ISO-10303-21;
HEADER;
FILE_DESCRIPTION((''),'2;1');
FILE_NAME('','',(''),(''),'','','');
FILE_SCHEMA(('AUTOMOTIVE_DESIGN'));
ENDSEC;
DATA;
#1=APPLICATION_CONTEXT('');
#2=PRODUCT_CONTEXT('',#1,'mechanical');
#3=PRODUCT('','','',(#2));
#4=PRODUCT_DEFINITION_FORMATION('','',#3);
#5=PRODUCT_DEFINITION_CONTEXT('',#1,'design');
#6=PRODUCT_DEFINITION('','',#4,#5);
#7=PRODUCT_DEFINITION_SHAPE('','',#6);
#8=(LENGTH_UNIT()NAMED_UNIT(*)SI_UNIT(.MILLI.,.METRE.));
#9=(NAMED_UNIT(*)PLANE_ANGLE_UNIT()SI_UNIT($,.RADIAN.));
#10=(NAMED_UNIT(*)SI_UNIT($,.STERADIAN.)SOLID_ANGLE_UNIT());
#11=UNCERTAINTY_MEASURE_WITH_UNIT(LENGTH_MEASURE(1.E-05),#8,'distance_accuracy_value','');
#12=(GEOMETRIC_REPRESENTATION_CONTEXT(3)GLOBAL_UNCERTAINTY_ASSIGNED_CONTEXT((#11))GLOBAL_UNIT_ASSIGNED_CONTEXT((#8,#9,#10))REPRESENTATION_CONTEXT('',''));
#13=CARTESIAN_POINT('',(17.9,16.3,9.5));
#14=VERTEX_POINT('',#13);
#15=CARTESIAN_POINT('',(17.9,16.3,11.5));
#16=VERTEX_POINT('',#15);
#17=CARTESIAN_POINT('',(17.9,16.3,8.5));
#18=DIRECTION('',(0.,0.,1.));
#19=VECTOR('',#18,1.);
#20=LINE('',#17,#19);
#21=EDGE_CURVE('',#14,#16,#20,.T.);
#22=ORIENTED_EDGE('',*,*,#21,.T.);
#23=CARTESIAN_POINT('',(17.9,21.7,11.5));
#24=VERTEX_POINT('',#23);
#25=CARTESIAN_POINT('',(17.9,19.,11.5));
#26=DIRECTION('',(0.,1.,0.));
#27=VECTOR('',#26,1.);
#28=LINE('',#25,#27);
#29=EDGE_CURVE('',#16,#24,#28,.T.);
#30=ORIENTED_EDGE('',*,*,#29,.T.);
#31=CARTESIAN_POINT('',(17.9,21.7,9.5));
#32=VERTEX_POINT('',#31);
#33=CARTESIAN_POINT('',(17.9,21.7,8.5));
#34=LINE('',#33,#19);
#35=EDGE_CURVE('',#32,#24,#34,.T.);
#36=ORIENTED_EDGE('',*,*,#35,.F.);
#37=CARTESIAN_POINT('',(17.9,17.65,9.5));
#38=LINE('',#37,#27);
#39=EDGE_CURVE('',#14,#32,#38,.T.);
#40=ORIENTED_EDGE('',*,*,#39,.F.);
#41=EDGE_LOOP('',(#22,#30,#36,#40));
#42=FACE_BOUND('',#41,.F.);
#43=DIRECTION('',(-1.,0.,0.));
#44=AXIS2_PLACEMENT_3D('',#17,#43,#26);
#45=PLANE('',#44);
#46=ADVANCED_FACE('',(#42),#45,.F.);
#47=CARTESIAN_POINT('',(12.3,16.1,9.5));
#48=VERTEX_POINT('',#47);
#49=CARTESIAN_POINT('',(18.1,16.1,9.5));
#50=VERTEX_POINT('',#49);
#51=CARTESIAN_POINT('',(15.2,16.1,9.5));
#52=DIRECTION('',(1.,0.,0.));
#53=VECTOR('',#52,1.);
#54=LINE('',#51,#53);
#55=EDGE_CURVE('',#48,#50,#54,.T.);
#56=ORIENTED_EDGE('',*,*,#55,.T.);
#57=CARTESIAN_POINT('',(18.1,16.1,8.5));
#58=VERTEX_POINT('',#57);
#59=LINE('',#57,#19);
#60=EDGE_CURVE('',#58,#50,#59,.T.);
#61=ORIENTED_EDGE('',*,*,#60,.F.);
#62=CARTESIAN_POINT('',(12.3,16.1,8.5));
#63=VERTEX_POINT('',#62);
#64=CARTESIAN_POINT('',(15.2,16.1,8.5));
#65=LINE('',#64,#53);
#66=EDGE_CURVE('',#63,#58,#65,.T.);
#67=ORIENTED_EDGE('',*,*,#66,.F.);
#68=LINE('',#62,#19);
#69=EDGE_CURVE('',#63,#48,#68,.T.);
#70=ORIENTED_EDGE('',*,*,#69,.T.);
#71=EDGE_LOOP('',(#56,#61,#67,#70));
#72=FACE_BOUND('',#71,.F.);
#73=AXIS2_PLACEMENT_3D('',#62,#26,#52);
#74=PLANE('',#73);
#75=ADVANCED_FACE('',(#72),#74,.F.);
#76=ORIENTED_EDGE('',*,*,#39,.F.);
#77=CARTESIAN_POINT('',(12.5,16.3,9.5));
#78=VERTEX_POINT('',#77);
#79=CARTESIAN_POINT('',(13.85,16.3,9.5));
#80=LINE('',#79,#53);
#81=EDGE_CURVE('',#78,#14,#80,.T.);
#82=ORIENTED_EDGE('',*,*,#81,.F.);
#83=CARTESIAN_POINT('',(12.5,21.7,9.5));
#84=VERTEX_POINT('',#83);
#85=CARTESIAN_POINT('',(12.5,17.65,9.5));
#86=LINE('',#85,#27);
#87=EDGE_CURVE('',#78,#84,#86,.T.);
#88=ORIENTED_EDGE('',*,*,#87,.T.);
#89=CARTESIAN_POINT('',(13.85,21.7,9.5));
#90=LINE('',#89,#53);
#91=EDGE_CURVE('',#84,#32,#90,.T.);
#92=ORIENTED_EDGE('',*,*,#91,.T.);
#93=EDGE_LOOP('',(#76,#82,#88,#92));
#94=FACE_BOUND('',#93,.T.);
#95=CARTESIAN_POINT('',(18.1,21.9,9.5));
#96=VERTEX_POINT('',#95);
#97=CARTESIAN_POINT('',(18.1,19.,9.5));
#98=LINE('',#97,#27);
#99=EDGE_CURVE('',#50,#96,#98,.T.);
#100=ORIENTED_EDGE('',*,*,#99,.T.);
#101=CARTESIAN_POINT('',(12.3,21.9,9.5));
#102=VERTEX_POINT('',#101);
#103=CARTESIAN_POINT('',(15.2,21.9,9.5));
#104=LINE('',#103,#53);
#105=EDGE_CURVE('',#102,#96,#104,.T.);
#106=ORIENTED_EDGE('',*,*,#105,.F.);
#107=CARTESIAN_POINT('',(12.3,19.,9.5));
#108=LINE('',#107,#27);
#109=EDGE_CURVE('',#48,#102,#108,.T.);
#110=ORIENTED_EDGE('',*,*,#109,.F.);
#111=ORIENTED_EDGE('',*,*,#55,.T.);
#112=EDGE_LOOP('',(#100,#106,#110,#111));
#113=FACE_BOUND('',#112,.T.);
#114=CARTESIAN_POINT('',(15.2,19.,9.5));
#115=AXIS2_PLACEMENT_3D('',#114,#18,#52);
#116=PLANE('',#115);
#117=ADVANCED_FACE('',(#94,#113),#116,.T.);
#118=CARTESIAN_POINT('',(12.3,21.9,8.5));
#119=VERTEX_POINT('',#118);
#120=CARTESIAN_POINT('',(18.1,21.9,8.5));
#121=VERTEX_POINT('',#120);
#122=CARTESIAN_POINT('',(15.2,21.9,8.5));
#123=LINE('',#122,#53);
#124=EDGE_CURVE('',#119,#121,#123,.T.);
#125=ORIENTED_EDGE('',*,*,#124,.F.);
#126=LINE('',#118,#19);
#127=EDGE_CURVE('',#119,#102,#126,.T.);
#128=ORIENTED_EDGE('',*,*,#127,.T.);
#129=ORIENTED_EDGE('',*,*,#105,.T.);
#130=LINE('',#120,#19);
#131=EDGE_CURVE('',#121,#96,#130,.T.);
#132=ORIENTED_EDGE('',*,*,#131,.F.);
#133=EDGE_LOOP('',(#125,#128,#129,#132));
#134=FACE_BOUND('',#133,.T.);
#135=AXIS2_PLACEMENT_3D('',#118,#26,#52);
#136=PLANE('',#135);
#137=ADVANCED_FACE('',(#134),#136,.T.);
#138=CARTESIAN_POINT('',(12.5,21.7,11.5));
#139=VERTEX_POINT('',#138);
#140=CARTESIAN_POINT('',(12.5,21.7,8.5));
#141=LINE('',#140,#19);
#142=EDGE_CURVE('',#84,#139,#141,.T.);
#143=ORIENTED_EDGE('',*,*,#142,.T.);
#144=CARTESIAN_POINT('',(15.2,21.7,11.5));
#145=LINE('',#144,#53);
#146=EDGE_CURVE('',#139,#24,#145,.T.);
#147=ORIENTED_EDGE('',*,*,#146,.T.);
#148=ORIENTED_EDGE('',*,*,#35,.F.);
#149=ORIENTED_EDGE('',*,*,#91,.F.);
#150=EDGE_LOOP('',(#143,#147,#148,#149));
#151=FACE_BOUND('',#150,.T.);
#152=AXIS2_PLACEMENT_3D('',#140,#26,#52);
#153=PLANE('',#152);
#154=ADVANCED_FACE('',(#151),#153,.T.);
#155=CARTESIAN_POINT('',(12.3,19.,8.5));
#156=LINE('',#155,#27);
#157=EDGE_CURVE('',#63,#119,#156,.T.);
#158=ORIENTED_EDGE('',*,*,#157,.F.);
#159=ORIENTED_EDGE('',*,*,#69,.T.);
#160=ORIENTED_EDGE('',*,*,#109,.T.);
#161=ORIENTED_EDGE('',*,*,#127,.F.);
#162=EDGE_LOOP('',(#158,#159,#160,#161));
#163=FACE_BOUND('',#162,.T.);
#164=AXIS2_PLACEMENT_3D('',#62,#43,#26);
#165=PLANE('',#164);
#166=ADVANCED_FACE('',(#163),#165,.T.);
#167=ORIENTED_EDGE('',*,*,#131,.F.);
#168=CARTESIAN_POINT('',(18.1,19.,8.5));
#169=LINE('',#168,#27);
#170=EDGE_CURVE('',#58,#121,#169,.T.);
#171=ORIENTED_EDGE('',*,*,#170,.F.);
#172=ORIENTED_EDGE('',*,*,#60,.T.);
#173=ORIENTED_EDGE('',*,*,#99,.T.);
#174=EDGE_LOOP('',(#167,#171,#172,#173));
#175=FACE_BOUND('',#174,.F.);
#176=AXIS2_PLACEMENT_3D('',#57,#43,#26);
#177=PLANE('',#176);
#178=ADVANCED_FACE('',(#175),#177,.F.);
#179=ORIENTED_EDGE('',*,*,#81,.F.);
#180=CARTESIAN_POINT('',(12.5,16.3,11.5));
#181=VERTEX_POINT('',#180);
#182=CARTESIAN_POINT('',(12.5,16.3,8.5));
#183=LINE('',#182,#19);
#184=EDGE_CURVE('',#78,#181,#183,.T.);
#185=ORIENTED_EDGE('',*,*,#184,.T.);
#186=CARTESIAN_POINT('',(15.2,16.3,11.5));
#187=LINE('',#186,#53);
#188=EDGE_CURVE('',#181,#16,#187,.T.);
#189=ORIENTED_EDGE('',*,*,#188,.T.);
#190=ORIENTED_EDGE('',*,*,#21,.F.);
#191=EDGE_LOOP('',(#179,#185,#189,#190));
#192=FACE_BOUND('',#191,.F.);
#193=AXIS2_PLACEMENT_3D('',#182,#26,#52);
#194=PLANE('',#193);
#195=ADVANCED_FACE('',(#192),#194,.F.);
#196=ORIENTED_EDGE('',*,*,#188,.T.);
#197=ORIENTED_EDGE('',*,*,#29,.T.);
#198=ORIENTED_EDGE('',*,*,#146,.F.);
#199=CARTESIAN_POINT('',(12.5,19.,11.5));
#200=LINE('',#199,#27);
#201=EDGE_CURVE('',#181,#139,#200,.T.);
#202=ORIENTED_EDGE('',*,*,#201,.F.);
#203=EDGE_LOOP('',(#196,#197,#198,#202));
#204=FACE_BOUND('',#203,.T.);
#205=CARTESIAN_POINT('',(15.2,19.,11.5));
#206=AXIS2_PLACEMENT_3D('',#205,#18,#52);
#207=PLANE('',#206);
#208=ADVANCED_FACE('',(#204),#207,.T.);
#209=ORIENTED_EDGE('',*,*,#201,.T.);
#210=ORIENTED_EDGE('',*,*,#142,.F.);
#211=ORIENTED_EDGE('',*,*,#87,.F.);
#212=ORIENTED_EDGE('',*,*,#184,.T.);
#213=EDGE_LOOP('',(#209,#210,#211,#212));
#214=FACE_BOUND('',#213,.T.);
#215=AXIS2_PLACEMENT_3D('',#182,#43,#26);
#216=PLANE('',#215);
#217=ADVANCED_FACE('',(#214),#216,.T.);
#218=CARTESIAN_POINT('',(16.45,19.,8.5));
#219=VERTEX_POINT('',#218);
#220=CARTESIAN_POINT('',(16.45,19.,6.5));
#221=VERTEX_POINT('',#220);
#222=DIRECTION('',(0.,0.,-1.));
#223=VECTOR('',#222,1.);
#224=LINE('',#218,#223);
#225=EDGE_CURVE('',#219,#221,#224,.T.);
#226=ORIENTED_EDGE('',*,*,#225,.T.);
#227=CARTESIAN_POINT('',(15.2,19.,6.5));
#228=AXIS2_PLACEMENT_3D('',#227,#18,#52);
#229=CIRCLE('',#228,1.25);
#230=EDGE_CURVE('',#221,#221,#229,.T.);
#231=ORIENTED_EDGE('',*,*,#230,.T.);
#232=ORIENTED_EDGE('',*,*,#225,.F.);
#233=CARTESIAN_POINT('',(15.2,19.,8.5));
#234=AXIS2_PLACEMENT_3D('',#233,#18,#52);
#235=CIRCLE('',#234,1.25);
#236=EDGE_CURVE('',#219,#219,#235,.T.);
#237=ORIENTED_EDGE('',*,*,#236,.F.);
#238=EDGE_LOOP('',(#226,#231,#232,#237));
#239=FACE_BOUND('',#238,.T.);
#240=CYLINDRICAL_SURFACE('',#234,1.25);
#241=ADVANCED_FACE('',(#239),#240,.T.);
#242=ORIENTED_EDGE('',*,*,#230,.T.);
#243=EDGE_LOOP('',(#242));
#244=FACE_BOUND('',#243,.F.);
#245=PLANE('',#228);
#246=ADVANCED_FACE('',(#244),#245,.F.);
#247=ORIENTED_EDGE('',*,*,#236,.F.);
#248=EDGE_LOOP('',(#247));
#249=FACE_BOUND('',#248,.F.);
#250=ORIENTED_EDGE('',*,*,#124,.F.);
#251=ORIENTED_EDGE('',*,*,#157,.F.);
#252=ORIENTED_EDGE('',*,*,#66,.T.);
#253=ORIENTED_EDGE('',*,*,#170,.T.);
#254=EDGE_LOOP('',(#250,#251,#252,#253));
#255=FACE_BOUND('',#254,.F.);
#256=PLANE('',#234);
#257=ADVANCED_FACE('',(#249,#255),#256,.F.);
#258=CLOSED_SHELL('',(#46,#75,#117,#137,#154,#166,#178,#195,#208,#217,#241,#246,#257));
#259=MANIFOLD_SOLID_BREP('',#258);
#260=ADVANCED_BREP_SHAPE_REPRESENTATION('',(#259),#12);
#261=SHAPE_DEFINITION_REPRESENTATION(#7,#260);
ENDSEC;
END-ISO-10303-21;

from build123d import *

# Parameters (mm, degrees)
SKETCH006_W  = 5.4
SKETCH006_H  = 5.4
PAD003_DEPTH = 3
SKETCH007_W  = 5.8
SKETCH007_H  = 5.8
PAD004_DEPTH = 1
SKETCH008_R  = 1.25
PAD005_DEPTH = 2


with BuildPart() as part:
    # Sketch006 → Pad003 (new body)
    with BuildSketch(Plane.XY):
        with Locations((15.2, 19)):
            Rectangle(SKETCH006_W, SKETCH006_H)
    extrude(amount=PAD003_DEPTH)

    # Sketch007 → Pad004 (join)
    with BuildSketch(Plane.XY):
        with Locations((15.2, 19)):
            Rectangle(SKETCH007_W, SKETCH007_H)
    extrude(amount=PAD004_DEPTH)

    # Sketch008 → Pad005 (join)
    with BuildSketch(Plane.XY):
        with Locations((15.2, 19)):
            Circle(SKETCH008_R)
    extrude(amount=-PAD005_DEPTH)


with BuildPart() as part_1:
    # Body003 placement: moved
    add(part.part.moved(Location((0, 0, 8.5))))


solid = part_1.part
